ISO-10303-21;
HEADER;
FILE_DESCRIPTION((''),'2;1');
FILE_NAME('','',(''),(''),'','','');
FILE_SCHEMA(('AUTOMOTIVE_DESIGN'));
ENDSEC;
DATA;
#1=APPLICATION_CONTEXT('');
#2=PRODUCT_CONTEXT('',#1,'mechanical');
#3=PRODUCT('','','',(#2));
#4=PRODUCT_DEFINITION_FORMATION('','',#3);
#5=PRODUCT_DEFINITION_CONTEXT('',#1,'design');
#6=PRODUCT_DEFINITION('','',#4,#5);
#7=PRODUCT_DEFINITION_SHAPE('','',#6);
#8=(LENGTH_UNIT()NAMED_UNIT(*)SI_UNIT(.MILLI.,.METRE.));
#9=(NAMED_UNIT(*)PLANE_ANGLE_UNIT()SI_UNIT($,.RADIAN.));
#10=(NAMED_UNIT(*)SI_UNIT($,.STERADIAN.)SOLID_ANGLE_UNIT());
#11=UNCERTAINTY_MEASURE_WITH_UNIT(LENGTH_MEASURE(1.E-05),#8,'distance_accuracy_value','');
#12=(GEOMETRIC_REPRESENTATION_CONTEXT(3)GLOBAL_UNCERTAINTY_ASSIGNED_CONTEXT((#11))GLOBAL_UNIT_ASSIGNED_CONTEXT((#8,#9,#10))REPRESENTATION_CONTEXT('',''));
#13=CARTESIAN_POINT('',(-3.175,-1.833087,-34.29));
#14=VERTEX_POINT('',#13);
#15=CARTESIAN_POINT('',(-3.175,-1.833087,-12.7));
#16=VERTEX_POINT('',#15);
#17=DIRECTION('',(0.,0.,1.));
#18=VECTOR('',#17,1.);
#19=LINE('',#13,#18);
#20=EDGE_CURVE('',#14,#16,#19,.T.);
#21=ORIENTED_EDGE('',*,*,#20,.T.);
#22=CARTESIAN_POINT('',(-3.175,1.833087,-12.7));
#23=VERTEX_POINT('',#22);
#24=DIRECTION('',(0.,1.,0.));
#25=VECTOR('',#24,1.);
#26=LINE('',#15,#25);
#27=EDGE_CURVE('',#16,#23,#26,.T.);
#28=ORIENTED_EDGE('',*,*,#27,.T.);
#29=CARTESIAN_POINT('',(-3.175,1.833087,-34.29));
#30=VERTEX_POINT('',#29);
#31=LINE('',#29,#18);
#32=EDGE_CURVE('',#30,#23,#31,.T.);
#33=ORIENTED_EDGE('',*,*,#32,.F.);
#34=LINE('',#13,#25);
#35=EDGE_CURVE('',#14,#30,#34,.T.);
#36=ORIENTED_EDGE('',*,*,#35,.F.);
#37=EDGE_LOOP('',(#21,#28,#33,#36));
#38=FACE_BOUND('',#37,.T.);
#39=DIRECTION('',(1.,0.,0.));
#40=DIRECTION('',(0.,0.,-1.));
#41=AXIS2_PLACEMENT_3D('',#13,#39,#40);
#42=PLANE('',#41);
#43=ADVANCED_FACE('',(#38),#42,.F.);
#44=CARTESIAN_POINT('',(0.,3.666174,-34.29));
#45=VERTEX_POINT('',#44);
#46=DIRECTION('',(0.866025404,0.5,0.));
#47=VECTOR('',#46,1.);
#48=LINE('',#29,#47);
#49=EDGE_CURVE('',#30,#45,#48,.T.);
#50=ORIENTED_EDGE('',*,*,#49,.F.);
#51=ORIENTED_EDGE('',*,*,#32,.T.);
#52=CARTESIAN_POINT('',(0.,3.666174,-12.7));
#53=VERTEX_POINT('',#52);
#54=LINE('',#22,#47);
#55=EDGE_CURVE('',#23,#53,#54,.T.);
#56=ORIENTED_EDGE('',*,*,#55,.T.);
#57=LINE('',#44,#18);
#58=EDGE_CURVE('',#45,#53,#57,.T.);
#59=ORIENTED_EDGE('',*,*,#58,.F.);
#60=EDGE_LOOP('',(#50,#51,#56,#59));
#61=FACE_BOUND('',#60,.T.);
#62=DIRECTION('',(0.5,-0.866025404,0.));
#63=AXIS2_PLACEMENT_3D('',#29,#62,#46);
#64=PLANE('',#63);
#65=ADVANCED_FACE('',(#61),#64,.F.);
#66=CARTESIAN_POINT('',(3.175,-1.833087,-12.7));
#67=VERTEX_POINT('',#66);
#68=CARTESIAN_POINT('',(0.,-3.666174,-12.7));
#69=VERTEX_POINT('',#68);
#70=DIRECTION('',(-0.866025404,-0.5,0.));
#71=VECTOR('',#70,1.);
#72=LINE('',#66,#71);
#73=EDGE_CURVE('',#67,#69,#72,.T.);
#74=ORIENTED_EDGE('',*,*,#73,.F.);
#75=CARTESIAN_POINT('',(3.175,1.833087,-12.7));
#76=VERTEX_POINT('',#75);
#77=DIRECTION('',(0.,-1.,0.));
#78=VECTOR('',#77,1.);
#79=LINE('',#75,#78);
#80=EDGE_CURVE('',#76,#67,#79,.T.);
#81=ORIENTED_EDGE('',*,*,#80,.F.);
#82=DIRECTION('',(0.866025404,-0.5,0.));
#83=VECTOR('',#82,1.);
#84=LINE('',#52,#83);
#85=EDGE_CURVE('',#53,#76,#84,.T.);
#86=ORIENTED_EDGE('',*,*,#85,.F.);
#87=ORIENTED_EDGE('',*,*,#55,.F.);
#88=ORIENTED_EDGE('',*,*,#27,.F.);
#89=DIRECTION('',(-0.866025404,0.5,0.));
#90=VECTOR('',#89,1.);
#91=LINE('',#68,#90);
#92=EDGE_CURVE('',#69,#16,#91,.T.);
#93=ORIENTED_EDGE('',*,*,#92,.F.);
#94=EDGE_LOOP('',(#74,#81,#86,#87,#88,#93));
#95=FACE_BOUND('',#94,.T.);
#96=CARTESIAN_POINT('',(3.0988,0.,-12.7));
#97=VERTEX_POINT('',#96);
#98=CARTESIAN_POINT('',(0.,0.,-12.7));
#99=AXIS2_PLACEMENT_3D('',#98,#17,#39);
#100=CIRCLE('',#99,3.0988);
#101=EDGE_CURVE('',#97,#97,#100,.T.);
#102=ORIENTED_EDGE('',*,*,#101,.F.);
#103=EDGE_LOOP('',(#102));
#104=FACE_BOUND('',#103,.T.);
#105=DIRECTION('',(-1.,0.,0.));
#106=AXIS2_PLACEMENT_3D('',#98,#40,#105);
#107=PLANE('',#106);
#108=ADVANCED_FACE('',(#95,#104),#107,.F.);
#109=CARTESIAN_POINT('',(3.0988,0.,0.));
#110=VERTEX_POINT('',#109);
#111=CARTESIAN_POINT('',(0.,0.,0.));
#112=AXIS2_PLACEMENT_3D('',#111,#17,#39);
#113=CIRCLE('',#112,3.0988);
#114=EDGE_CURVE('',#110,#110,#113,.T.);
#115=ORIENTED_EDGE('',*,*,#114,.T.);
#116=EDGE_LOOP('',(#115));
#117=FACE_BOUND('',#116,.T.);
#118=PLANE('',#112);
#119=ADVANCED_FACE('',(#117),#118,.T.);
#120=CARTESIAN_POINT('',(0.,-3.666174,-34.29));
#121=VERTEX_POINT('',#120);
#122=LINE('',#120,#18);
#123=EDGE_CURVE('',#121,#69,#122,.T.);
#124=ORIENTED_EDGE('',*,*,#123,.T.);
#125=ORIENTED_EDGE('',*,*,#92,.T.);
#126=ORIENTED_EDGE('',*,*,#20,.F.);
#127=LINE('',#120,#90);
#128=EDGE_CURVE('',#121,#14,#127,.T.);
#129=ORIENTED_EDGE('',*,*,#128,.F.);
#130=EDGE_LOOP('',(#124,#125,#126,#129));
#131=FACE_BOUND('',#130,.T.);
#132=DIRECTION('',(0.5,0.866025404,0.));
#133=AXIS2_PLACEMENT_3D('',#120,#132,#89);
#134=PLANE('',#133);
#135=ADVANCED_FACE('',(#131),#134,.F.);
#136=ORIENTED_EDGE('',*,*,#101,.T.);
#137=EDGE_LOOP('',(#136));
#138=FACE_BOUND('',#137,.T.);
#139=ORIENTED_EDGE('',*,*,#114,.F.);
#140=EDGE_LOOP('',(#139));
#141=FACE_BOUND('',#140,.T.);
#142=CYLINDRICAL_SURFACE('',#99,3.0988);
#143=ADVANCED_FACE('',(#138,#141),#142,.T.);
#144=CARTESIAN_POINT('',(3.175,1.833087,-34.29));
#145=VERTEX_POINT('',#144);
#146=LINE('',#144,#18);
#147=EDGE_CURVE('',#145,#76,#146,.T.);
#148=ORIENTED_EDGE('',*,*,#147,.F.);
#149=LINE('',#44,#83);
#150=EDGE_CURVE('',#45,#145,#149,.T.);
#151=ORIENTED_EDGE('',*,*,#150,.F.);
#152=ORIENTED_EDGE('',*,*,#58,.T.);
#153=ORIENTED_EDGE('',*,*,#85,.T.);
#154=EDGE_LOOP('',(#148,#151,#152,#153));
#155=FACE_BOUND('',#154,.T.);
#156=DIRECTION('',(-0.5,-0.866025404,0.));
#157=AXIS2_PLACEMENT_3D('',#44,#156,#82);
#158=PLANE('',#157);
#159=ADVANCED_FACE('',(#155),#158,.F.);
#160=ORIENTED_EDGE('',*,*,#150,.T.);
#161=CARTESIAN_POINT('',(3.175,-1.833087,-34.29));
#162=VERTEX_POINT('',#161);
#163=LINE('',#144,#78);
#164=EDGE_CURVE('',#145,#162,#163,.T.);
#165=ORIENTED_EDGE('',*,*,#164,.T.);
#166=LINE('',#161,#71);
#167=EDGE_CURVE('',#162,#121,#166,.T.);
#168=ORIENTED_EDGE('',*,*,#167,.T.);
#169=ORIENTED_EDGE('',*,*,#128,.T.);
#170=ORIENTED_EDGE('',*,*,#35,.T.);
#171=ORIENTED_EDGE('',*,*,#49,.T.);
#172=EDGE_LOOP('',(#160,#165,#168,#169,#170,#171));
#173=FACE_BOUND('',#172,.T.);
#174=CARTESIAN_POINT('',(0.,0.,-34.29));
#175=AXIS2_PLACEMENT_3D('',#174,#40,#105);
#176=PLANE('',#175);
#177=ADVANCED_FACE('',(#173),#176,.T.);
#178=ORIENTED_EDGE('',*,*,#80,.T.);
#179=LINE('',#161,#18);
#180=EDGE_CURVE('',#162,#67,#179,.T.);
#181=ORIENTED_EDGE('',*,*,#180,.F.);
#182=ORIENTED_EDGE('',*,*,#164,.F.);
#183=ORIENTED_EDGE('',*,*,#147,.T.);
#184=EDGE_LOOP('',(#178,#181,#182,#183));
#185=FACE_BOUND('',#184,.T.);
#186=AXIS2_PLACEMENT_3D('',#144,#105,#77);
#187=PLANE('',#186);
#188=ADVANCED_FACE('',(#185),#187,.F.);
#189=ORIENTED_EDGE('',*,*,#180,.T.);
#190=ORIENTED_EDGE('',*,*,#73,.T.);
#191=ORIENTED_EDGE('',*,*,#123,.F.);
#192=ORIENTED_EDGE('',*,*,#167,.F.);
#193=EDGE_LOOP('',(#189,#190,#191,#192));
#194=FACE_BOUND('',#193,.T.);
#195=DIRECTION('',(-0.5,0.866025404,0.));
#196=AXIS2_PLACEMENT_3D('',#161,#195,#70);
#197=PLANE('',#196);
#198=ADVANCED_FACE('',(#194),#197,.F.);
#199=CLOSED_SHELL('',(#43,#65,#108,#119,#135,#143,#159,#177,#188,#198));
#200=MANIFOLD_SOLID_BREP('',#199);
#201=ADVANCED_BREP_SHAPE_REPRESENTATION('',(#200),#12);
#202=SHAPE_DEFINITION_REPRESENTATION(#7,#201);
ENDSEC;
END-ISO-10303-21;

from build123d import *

# Parameters (mm, degrees)
SKETCH1_R           = 3.0988
BOSS_EXTRUDE1_DEPTH = 12.7
BOSS_EXTRUDE2_DEPTH = 21.59


with BuildPart() as part:
    # Sketch1 → Boss-Extrude1 (new body)
    with BuildSketch(Plane.XY):
        Circle(SKETCH1_R)
    extrude(amount=-BOSS_EXTRUDE1_DEPTH)

    # Sketch2 → Boss-Extrude2 (add)
    with BuildSketch(Plane(origin=(0, 0, -12.7), x_dir=(-1, 0, 0), z_dir=(0, 0, -1))):
        Polygon((0, 3.666174209), (-3.175, 1.833087105), (-3.175, -1.833087105), (0, -3.666174209), (3.175, -1.833087105), (3.175, 1.833087105), align=None)
    extrude(amount=BOSS_EXTRUDE2_DEPTH)


solid = part.part
